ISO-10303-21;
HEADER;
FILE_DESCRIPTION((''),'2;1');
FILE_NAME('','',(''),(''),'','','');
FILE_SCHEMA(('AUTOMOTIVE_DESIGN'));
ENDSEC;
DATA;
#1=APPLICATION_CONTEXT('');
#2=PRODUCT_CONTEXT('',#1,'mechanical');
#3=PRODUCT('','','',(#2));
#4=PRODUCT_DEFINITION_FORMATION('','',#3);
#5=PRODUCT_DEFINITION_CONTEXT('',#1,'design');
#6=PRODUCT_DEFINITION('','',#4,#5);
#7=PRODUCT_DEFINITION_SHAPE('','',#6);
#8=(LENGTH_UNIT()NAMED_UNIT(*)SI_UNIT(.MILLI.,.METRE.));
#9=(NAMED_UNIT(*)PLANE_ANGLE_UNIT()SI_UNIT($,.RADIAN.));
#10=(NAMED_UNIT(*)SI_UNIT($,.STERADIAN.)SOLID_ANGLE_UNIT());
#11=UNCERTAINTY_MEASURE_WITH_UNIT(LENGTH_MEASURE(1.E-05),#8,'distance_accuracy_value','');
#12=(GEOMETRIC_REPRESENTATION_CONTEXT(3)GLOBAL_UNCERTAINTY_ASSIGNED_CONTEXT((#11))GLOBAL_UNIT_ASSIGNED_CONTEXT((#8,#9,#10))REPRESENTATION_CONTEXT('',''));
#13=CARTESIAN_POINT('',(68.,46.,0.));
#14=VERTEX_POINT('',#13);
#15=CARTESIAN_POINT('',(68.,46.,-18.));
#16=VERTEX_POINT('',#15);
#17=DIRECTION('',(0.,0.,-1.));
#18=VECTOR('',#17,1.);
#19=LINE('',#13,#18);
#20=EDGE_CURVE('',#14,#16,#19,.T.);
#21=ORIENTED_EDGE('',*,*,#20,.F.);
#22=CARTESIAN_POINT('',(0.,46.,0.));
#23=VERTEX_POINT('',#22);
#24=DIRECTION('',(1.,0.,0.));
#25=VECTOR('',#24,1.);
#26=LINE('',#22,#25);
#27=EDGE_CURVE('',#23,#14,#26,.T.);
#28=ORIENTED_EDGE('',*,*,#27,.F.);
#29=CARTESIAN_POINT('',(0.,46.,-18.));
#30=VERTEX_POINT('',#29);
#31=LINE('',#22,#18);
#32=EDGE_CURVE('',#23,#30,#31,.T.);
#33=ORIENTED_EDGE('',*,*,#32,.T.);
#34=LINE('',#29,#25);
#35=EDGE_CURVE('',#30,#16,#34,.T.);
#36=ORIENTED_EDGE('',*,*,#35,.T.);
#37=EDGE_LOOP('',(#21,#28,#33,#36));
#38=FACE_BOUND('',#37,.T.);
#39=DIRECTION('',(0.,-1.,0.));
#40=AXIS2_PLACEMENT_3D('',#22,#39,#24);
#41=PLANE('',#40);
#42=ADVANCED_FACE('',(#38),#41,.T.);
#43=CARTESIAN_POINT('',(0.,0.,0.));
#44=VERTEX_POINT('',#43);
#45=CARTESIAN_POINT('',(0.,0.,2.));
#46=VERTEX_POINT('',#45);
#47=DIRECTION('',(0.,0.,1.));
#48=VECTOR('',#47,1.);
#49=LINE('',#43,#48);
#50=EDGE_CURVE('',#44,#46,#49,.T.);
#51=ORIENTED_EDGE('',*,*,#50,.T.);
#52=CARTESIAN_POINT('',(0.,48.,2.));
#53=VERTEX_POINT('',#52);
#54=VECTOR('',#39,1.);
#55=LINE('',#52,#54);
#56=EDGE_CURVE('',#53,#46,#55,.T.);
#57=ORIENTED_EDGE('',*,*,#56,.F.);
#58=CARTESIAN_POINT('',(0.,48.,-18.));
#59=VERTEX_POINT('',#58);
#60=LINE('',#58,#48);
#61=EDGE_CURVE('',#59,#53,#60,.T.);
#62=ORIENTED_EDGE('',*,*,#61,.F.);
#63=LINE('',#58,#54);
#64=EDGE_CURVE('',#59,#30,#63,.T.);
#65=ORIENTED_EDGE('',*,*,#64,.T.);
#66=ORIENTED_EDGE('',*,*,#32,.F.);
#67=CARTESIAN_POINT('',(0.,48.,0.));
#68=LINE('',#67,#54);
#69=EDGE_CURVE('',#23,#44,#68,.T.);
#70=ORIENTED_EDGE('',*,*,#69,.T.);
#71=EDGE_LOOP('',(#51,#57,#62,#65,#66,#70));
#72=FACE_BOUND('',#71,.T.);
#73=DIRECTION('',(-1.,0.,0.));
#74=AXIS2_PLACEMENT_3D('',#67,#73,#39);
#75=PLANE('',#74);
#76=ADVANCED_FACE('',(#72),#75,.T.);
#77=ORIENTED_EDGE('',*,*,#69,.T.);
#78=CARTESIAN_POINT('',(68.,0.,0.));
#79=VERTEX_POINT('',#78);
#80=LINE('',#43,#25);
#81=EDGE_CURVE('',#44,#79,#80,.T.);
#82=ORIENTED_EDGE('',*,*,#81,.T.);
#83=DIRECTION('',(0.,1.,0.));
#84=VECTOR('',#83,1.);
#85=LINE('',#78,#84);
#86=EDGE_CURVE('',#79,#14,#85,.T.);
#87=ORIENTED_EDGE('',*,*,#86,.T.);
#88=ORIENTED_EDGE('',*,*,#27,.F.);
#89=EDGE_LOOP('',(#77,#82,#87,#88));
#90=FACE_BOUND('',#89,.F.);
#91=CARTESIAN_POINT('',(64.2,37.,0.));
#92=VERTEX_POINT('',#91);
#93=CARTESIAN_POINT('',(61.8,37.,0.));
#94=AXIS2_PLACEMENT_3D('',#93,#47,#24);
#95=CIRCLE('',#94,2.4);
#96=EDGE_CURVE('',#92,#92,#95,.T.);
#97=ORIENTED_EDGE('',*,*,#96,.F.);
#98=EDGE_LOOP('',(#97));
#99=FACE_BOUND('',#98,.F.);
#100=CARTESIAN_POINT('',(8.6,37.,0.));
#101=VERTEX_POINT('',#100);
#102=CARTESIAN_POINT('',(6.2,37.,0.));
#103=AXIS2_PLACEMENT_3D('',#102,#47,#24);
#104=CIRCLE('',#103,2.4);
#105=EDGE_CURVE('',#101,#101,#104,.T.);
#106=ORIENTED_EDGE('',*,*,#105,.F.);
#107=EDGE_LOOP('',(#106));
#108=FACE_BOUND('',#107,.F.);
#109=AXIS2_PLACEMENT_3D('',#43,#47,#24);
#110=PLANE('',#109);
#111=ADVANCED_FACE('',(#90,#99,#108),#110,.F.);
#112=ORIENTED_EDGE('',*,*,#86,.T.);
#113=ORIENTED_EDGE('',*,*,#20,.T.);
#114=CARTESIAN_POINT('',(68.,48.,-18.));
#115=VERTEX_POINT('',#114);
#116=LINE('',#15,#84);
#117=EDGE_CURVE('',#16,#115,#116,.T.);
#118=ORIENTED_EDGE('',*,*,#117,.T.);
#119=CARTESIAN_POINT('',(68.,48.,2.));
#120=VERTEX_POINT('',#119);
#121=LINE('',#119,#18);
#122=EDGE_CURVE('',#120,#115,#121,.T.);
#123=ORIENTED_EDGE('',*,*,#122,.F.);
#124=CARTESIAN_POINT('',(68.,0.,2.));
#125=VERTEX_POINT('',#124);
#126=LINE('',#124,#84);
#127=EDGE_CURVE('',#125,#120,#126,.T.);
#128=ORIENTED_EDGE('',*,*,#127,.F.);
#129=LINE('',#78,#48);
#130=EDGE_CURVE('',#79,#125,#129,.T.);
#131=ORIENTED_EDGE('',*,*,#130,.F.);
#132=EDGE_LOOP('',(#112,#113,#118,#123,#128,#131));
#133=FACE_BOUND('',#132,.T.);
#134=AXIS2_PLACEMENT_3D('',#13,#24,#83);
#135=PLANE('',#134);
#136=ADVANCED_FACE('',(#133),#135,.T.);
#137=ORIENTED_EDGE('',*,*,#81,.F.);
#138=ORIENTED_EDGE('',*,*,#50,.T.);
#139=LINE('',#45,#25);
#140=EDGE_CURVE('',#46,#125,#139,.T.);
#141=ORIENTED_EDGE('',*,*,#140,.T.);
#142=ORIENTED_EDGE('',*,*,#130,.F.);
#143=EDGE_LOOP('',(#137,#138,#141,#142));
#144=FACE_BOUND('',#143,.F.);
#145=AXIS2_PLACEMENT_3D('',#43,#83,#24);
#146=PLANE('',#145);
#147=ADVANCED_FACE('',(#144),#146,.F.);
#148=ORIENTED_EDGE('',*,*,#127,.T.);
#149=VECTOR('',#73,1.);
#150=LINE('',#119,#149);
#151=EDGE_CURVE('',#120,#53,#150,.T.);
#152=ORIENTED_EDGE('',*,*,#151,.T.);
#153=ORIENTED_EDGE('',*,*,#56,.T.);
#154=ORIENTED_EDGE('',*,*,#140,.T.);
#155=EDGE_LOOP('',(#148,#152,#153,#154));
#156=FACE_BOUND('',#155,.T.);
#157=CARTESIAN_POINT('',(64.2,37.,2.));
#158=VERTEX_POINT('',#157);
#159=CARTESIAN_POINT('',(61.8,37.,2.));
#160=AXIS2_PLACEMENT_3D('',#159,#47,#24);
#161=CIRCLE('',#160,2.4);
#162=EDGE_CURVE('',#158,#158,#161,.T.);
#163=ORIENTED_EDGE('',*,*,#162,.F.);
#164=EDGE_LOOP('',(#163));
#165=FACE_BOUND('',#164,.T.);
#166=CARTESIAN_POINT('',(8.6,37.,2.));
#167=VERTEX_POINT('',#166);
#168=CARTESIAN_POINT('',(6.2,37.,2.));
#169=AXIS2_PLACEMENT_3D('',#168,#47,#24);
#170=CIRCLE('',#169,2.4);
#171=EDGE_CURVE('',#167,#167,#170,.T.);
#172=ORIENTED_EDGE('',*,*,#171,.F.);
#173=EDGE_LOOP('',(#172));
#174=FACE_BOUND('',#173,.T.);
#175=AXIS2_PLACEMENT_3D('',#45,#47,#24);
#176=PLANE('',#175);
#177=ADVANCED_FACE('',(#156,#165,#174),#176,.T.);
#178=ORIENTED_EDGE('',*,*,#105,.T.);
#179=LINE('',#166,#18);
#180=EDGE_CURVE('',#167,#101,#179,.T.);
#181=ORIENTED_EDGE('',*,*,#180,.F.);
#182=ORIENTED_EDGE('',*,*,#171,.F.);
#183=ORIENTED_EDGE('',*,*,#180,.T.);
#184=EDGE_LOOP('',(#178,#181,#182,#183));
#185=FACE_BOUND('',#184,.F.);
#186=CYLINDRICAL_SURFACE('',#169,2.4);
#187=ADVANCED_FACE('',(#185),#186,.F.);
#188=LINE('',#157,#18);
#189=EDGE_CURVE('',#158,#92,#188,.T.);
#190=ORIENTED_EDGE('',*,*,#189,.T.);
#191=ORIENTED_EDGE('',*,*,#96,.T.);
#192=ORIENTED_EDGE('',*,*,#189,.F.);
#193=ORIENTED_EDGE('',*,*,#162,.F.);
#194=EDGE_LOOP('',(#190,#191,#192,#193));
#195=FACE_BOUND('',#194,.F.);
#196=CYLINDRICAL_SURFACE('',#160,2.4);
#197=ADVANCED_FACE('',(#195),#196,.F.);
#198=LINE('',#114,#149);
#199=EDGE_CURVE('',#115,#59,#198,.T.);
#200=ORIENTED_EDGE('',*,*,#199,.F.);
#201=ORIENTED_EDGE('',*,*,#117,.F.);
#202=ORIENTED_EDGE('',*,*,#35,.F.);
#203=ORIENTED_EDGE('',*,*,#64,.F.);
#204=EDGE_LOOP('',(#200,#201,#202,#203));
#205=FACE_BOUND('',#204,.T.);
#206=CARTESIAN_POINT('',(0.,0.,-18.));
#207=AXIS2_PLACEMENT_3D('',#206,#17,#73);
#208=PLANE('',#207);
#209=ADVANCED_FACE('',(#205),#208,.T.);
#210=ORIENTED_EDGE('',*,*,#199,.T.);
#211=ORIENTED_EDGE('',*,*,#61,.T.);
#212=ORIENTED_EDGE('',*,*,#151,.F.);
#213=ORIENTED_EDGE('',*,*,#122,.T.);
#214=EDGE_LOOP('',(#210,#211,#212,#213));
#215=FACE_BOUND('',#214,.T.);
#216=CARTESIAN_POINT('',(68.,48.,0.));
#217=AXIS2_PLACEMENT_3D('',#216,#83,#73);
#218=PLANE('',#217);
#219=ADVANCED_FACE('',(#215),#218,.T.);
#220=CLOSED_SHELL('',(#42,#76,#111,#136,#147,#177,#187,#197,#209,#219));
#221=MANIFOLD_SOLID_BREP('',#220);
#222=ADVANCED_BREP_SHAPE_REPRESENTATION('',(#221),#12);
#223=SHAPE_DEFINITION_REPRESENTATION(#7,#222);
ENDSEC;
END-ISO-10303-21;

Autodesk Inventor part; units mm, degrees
ref_plane "YZ Plane" through (0, 0, 0) normal (1, 0, 0) x (0, 1, 0)
ref_plane "XZ Plane" through (0, 0, 0) normal (0, 1, 0) x (-1, 0, 0)
ref_plane "XY Plane" through (0, 0, 0) normal (0, 0, 1) x (1, 0, 0)
sketch "Sketch1" plane through (0, 0, 0) normal (0, 0, 1) x (1, 0, 0)
  line L0 (0, 0) -> (68, 0)
  line L1 (68, 0) -> (68, 48)
  line L2 (68, 48) -> (0, 48)
  line L3 (0, 48) -> (0, 0)
  dimension "d0" = 68
  dimension "d1" = 48
extrude "Extrusion1" add sketch "Sketch1" along normal blind 2
sketch "Sketch2" plane through (0, 0, 2) normal (0, 0, 1) x (1, 0, 0)
  circle A0 centre (6.2, 37) radius 2.4
  circle A1 centre (61.8, 37) radius 2.4
  line L0 (0, 0) -> (68, 0) projected
  line L1 (34, 0) -> (34, 48) construction
  line L2 (68, 48) -> (0, 48) projected
  dimension "d4" = 4.8
  dimension "d5" = 4.8
  dimension "d6" = 55.6
  dimension "d7" = 27.8
  dimension "d8" = 37
extrude "Extrusion2" cut sketch "Sketch2" against normal blind 2
sketch "Sketch3" plane through (0, 0, 0) normal (0, 0, -1) x (-1, 0, 0)
  line L0 (-68, 48) -> (0, 48)
  line L1 (0, 48) -> (0, 46)
  line L2 (0, 46) -> (-68, 46)
  line L3 (-68, 46) -> (-68, 48)
  line L4 (0, 0) -> (0, 2)
  line L5 (-68, 2) -> (-68, 0)
  dimension "d11" = 2
extrude "Extrusion3" add sketch "Sketch3" along normal blind 18
properties part number "MainsCover"
